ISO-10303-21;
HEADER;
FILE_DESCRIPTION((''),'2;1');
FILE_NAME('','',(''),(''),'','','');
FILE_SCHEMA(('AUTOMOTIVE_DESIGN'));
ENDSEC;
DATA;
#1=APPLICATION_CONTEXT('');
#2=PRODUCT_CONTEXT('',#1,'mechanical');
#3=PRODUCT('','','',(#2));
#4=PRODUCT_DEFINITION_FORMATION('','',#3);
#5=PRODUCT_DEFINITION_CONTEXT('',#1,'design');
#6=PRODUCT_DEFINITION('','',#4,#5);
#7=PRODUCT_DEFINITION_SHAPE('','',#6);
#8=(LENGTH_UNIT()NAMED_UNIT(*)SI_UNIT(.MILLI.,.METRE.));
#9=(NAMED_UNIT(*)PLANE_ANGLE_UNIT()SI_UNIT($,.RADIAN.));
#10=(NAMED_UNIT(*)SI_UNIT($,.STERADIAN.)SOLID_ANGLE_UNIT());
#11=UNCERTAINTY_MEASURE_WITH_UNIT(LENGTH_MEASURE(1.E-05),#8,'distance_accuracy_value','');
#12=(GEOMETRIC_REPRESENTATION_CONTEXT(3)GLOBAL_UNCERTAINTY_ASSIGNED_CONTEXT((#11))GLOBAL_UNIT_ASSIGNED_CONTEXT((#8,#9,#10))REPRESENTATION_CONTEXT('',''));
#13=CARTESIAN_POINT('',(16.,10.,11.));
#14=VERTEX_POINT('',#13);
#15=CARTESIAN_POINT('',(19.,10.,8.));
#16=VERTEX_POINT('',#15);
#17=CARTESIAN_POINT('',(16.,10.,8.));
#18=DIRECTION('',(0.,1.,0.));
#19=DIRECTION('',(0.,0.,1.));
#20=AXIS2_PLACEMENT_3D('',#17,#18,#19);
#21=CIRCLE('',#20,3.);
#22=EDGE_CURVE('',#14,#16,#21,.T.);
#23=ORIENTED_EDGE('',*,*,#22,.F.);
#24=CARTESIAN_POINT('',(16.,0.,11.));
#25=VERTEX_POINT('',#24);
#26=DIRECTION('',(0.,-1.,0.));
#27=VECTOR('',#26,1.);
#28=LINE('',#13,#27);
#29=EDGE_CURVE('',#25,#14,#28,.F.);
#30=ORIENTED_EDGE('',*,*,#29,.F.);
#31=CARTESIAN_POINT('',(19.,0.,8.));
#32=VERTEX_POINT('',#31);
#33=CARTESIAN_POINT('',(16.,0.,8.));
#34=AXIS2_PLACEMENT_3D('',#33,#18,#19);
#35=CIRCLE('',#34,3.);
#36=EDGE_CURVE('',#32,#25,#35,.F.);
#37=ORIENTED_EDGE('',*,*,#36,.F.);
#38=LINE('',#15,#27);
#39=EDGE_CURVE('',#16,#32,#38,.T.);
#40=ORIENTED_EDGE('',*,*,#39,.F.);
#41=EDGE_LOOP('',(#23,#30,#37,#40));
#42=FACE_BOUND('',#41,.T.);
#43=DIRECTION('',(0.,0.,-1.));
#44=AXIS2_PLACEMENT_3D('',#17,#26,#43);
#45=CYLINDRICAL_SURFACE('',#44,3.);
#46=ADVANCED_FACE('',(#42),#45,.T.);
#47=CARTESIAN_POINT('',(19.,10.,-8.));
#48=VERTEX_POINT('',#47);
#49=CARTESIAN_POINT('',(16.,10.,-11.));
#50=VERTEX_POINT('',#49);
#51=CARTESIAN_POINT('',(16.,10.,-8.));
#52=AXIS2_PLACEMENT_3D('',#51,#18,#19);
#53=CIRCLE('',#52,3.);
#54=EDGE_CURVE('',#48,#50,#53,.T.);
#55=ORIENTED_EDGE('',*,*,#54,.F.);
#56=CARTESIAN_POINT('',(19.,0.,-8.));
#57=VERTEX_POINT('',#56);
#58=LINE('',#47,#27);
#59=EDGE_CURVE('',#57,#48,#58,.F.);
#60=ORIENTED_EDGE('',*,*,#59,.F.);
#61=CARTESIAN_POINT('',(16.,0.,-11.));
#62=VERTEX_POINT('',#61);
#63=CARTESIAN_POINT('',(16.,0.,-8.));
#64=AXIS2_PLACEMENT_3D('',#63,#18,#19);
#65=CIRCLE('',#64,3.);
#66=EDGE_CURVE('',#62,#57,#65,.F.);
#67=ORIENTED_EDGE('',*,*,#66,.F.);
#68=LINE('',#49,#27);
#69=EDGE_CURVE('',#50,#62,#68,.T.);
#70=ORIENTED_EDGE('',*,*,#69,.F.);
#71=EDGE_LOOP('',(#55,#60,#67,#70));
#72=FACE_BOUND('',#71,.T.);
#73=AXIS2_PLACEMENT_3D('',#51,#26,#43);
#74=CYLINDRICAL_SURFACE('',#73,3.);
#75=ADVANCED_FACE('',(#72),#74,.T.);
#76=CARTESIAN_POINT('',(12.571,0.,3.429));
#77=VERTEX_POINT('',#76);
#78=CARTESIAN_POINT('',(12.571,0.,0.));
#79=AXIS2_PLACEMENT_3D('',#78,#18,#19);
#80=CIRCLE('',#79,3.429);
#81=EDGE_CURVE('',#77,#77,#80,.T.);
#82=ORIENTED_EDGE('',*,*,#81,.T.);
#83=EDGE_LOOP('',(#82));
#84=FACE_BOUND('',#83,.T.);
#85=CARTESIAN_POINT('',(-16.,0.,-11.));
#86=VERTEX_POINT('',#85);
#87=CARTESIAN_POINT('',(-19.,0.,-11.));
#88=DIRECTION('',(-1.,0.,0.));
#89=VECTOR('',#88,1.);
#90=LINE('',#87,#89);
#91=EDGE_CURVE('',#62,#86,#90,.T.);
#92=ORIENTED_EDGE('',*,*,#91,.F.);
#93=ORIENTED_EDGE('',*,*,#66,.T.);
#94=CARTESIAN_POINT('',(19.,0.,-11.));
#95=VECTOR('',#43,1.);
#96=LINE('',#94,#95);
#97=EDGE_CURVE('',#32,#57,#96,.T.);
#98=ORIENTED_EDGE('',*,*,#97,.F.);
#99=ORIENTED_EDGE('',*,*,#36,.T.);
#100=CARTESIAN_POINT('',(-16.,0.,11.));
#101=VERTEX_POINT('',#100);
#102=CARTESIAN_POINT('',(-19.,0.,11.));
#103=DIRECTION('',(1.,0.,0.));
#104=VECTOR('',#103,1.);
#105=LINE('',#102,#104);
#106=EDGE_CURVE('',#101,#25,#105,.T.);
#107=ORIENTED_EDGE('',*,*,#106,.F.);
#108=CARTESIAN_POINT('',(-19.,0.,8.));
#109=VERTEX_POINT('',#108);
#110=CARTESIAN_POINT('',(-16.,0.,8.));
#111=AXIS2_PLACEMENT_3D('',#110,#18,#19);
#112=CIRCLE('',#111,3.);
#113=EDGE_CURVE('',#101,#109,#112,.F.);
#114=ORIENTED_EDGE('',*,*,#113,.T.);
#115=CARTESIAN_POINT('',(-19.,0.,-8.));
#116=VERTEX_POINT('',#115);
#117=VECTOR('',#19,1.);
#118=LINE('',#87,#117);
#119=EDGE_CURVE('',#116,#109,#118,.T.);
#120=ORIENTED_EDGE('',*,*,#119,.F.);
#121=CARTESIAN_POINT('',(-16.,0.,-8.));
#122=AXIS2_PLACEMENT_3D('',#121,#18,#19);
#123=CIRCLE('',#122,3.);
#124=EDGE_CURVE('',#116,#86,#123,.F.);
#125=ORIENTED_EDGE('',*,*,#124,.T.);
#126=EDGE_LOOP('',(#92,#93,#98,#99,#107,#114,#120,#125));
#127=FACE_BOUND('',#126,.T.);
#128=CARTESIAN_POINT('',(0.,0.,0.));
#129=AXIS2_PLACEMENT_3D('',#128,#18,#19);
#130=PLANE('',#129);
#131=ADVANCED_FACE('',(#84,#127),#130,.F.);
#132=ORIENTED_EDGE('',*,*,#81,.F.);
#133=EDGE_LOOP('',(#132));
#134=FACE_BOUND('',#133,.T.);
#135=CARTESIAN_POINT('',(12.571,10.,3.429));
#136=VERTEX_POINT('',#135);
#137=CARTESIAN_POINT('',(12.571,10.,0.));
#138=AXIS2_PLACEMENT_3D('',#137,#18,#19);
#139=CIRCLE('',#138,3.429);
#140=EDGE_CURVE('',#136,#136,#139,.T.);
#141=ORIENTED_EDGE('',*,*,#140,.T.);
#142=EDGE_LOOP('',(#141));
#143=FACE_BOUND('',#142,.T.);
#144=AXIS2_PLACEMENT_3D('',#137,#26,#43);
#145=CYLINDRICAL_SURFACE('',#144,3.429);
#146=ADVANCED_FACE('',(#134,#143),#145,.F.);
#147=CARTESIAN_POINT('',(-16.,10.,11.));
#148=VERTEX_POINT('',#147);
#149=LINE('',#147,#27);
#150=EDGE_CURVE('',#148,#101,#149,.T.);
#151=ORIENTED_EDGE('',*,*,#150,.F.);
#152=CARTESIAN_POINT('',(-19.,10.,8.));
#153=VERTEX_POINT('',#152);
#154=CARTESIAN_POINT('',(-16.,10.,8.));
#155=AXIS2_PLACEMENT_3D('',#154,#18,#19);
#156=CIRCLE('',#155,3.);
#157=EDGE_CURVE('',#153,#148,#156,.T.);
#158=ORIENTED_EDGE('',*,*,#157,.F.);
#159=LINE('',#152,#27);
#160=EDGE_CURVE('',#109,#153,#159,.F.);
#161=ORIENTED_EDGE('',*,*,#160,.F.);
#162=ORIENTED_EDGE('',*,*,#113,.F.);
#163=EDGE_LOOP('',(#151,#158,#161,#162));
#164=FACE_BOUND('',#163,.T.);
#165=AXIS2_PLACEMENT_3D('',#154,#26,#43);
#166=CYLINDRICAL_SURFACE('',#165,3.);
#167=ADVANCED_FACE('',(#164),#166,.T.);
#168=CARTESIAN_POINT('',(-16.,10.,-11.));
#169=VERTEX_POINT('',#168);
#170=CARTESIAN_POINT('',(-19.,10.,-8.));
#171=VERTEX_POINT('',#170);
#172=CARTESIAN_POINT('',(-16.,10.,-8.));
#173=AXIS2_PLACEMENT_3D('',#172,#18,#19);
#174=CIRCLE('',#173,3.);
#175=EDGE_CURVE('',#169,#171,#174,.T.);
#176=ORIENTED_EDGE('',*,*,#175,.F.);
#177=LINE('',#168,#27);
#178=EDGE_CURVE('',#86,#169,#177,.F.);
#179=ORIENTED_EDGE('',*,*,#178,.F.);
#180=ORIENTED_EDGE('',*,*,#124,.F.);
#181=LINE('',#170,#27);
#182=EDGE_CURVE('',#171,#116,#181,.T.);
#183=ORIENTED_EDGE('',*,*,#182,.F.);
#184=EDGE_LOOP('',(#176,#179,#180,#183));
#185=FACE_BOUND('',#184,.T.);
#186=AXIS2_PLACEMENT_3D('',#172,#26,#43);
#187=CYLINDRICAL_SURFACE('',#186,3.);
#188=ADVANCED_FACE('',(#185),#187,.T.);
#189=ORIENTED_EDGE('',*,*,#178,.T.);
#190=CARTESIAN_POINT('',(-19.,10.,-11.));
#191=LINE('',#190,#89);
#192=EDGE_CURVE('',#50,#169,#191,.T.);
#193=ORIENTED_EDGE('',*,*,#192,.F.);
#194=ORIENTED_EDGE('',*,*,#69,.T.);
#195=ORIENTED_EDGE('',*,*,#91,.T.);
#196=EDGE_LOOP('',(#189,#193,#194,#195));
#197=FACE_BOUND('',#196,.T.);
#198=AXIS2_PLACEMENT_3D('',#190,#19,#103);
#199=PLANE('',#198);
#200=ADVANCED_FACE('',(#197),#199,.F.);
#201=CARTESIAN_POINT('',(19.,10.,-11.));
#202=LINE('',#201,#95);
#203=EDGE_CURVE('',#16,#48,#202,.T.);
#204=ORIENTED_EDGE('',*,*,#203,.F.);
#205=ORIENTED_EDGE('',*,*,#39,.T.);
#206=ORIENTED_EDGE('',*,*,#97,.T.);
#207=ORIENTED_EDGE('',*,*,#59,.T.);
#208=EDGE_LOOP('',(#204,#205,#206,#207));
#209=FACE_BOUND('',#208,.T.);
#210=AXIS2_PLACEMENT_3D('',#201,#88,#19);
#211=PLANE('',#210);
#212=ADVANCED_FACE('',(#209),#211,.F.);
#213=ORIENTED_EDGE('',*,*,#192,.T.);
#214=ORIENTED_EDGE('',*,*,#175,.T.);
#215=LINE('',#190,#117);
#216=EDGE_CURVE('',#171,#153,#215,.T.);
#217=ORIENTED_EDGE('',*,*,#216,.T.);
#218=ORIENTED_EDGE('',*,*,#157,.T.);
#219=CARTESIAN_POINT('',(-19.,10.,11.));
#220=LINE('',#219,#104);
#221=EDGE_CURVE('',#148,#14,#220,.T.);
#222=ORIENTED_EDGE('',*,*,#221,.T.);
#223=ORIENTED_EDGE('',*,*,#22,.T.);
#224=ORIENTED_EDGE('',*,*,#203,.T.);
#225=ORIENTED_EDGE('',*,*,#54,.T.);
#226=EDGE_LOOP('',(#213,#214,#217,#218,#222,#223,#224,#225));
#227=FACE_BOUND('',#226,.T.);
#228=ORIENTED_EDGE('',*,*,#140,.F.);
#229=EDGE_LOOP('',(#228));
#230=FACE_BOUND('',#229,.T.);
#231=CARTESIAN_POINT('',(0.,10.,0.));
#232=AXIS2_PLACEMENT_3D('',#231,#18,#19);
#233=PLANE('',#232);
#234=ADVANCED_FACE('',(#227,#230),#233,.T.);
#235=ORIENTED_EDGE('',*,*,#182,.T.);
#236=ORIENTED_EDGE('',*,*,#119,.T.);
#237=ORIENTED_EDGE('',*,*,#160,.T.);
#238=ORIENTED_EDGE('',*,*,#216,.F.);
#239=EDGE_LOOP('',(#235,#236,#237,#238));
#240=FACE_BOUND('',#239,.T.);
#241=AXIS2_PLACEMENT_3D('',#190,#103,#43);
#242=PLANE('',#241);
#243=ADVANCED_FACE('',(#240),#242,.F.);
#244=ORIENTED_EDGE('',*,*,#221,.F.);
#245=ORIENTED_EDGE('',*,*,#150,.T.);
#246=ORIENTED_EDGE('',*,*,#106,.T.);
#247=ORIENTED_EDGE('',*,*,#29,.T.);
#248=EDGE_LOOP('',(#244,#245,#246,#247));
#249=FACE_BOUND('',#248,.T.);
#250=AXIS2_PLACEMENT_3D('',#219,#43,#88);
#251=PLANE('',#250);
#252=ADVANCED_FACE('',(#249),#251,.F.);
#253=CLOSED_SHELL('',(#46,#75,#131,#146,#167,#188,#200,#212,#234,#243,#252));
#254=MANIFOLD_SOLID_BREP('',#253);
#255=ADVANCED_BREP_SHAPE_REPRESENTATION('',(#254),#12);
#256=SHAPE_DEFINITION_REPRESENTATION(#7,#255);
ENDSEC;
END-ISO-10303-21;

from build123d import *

# Parameters (mm, degrees)
SKETCH1_W           = 38
SKETCH1_H           = 22
SKETCH1_R           = 3.429
BOSS_EXTRUDE1_DEPTH = 10
FILLET1_R           = 3


with BuildPart() as part:
    # Sketch1 → Boss-Extrude1 (new body)
    with BuildSketch(Plane(origin=(0, 0, 0), x_dir=(1, 0, 0), z_dir=(0, 1, 0))):
        Rectangle(SKETCH1_W, SKETCH1_H)
        with Locations((12.571, 0)):
            Circle(SKETCH1_R, mode=Mode.SUBTRACT)
    extrude(amount=BOSS_EXTRUDE1_DEPTH)

    # Fillet1
    fillet1_edges = [part.edges().sort_by_distance(p)[0] for p in [
        (19, 5, 11),
        (-19, 5, 11),
        (-19, 5, -11),
        (19, 5, -11),
    ]]
    fillet(fillet1_edges, radius=FILLET1_R)


solid = part.part
